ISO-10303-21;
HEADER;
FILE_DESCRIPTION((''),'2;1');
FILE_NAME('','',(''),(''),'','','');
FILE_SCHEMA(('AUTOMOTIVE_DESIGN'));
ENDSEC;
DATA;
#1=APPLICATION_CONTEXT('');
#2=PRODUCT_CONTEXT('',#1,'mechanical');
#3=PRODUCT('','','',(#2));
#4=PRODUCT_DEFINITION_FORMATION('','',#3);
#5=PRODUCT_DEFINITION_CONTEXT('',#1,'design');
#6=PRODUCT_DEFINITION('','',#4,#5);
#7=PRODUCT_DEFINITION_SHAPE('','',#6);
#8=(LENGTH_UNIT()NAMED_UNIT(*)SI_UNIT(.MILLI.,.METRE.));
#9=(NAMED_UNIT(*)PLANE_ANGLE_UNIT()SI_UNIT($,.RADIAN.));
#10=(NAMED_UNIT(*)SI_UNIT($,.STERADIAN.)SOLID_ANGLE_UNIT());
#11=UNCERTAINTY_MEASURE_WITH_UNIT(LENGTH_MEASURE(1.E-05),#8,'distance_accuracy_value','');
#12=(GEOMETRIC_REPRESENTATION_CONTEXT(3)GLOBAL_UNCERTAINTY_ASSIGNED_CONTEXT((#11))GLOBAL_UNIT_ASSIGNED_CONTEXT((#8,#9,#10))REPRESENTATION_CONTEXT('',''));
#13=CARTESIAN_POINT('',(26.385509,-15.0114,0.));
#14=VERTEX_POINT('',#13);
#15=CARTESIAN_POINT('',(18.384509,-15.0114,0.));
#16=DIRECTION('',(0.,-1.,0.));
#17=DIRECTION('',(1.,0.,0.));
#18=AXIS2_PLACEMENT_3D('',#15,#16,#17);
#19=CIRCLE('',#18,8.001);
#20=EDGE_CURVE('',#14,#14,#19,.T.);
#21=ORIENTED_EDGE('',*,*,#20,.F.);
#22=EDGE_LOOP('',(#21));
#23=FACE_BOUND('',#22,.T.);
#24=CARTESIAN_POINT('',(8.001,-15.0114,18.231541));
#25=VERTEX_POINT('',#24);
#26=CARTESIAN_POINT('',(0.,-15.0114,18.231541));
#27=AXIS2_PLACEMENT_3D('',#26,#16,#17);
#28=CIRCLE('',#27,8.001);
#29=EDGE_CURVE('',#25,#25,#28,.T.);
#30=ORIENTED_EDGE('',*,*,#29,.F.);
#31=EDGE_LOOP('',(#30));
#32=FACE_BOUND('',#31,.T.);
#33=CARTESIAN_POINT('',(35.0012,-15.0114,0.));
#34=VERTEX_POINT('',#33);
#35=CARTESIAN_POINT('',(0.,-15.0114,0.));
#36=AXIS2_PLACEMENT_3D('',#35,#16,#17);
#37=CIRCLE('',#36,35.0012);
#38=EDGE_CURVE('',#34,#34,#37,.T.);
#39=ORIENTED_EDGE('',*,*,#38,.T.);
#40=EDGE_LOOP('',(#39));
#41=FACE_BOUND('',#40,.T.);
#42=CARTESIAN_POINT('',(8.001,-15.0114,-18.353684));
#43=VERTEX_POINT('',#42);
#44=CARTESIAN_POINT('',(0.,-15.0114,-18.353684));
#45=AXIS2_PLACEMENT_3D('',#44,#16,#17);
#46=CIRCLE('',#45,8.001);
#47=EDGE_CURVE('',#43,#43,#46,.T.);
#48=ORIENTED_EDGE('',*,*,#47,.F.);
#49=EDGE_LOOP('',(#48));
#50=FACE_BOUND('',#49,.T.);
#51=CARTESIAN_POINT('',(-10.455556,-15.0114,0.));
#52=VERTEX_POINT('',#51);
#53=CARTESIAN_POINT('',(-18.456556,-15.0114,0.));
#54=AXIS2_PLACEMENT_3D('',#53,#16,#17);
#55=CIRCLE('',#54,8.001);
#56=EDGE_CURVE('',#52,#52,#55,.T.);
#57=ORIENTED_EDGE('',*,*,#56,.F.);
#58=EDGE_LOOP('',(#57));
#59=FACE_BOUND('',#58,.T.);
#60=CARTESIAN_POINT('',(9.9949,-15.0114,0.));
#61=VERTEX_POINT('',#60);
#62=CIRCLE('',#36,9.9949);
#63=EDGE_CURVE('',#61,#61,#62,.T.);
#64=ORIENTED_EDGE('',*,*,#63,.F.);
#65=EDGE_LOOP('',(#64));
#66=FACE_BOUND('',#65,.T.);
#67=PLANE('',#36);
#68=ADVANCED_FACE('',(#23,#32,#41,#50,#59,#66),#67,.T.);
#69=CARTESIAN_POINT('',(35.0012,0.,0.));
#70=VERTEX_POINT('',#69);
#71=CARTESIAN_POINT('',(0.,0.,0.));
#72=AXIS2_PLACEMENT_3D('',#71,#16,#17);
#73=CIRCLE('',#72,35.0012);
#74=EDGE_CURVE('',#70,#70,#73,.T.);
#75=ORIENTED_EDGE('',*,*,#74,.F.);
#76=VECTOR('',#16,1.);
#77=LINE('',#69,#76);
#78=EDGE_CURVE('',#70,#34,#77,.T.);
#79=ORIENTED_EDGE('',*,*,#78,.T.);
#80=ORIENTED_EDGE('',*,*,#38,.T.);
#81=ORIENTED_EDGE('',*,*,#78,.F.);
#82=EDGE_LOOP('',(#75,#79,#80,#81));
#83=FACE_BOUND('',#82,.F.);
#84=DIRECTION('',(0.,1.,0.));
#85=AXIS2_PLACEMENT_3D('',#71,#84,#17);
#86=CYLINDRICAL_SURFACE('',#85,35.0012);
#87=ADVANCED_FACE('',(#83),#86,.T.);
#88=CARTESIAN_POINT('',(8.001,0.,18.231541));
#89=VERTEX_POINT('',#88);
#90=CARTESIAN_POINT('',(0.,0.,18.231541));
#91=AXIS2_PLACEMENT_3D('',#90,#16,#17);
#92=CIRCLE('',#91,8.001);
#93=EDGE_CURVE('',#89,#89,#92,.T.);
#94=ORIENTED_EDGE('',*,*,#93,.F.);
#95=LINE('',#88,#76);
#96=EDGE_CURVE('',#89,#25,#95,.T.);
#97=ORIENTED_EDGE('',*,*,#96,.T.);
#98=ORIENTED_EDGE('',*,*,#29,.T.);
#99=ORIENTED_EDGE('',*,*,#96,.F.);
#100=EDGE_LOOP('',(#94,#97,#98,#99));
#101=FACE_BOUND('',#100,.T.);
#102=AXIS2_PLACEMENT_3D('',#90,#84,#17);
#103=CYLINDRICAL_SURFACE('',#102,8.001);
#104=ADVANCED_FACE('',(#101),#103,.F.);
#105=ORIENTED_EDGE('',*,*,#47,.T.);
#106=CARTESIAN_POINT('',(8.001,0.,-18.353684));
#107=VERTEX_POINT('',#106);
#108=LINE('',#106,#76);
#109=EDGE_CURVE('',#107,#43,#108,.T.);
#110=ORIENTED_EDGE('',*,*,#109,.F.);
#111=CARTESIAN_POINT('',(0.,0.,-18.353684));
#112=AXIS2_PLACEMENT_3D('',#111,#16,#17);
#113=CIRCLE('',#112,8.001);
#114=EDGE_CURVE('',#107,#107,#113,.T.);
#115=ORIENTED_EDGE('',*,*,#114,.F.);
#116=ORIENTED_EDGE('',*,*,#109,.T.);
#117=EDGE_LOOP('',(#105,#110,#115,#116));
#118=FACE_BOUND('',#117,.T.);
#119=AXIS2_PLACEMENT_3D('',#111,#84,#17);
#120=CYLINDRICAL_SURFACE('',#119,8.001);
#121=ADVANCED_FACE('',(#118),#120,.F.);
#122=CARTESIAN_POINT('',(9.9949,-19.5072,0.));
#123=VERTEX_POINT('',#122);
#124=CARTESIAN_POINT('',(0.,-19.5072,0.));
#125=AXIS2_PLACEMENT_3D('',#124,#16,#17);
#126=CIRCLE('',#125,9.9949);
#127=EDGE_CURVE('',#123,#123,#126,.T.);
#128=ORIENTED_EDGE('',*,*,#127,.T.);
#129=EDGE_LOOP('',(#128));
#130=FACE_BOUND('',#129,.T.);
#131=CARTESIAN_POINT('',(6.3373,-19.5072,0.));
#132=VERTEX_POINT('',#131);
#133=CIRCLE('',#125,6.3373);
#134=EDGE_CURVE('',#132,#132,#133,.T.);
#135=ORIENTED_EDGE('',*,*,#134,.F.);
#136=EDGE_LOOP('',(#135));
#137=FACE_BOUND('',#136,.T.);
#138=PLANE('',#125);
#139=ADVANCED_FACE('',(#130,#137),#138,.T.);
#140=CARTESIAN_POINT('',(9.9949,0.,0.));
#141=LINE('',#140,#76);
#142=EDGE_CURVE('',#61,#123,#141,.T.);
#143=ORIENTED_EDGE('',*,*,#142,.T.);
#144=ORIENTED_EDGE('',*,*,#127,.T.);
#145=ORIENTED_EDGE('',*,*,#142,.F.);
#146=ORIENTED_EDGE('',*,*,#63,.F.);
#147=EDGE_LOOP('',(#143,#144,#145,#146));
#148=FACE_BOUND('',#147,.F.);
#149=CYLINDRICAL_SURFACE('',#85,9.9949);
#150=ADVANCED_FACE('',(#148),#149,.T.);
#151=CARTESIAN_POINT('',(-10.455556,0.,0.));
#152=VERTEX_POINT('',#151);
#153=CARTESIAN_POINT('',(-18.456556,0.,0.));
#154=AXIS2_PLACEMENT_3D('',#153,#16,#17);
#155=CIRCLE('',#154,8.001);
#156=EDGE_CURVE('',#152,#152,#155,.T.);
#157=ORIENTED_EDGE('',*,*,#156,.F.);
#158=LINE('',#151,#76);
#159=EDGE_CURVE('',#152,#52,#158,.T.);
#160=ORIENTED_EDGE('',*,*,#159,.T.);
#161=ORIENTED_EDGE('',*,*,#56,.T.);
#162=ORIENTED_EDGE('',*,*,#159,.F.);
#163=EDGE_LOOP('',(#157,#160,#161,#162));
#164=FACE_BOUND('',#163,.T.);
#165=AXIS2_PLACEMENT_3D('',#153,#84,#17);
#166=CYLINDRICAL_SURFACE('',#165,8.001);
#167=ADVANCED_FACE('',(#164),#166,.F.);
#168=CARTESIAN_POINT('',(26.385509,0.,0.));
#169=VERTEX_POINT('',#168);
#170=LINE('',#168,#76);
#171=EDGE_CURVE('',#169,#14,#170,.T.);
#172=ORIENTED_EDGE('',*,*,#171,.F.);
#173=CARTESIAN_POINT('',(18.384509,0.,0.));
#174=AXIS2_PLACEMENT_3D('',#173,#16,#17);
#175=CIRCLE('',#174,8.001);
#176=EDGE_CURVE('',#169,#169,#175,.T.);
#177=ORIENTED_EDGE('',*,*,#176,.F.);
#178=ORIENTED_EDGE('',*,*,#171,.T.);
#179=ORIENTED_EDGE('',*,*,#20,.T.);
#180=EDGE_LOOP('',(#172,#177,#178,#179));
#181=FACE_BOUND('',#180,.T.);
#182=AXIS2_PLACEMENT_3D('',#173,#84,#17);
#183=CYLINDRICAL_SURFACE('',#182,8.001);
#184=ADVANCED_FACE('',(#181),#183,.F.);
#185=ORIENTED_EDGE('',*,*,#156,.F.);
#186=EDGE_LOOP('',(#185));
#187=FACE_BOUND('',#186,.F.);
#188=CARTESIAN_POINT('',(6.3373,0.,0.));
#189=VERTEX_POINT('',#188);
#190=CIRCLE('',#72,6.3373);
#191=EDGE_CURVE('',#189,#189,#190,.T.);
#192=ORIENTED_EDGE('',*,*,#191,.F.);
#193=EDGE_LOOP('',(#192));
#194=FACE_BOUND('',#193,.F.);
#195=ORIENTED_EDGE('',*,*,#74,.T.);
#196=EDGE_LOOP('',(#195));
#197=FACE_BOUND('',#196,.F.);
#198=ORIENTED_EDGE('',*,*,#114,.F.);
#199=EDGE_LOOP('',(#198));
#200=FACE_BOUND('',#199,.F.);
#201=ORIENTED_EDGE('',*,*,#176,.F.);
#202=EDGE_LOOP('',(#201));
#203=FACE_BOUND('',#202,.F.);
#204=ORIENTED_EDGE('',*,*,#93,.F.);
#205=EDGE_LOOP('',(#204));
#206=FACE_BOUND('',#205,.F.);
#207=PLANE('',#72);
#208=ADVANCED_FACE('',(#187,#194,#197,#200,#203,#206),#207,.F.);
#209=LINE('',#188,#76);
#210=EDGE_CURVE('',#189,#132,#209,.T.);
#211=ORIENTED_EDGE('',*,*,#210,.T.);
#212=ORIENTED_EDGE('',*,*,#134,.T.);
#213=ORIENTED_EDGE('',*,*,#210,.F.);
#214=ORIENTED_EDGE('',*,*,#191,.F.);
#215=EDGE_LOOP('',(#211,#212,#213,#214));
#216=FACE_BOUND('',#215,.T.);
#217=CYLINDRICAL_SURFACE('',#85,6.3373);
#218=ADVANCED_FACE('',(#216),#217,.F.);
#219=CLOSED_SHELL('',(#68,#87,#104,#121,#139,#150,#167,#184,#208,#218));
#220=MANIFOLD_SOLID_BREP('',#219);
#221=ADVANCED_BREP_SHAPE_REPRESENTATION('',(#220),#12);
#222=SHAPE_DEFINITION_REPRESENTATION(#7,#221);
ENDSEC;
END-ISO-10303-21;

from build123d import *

# Parameters (mm, degrees)
F0_R     = 35.0012
F0_R_2   = 29.9974
F0_R_3   = 8.001
F0_R_4   = 9.9949
F1_DEPTH = 15.0114
F0_R_5   = 6.3373
F2_DEPTH = 19.5072


with BuildPart() as f1:
    # F0 (on Front) → F1 (new body)
    with BuildSketch(Plane.XZ):
        Circle(F0_R)
        Circle(F0_R_2, mode=Mode.SUBTRACT)
        Circle(F0_R_2)
        with Locations((0, -18.353684)):
            Circle(F0_R_3, mode=Mode.SUBTRACT)
        with Locations((-18.456556, 0)):
            Circle(F0_R_3, mode=Mode.SUBTRACT)
        Circle(F0_R_4, mode=Mode.SUBTRACT)
        with Locations((18.384509, 0)):
            Circle(F0_R_3, mode=Mode.SUBTRACT)
        with Locations((0, 18.231541)):
            Circle(F0_R_3, mode=Mode.SUBTRACT)
    extrude(amount=F1_DEPTH)

    # F0 (on Front) → F2 (join)
    with BuildSketch(Plane.XZ):
        Circle(F0_R_4)
        Circle(F0_R_5, mode=Mode.SUBTRACT)
    extrude(amount=F2_DEPTH)


solid = f1.part
